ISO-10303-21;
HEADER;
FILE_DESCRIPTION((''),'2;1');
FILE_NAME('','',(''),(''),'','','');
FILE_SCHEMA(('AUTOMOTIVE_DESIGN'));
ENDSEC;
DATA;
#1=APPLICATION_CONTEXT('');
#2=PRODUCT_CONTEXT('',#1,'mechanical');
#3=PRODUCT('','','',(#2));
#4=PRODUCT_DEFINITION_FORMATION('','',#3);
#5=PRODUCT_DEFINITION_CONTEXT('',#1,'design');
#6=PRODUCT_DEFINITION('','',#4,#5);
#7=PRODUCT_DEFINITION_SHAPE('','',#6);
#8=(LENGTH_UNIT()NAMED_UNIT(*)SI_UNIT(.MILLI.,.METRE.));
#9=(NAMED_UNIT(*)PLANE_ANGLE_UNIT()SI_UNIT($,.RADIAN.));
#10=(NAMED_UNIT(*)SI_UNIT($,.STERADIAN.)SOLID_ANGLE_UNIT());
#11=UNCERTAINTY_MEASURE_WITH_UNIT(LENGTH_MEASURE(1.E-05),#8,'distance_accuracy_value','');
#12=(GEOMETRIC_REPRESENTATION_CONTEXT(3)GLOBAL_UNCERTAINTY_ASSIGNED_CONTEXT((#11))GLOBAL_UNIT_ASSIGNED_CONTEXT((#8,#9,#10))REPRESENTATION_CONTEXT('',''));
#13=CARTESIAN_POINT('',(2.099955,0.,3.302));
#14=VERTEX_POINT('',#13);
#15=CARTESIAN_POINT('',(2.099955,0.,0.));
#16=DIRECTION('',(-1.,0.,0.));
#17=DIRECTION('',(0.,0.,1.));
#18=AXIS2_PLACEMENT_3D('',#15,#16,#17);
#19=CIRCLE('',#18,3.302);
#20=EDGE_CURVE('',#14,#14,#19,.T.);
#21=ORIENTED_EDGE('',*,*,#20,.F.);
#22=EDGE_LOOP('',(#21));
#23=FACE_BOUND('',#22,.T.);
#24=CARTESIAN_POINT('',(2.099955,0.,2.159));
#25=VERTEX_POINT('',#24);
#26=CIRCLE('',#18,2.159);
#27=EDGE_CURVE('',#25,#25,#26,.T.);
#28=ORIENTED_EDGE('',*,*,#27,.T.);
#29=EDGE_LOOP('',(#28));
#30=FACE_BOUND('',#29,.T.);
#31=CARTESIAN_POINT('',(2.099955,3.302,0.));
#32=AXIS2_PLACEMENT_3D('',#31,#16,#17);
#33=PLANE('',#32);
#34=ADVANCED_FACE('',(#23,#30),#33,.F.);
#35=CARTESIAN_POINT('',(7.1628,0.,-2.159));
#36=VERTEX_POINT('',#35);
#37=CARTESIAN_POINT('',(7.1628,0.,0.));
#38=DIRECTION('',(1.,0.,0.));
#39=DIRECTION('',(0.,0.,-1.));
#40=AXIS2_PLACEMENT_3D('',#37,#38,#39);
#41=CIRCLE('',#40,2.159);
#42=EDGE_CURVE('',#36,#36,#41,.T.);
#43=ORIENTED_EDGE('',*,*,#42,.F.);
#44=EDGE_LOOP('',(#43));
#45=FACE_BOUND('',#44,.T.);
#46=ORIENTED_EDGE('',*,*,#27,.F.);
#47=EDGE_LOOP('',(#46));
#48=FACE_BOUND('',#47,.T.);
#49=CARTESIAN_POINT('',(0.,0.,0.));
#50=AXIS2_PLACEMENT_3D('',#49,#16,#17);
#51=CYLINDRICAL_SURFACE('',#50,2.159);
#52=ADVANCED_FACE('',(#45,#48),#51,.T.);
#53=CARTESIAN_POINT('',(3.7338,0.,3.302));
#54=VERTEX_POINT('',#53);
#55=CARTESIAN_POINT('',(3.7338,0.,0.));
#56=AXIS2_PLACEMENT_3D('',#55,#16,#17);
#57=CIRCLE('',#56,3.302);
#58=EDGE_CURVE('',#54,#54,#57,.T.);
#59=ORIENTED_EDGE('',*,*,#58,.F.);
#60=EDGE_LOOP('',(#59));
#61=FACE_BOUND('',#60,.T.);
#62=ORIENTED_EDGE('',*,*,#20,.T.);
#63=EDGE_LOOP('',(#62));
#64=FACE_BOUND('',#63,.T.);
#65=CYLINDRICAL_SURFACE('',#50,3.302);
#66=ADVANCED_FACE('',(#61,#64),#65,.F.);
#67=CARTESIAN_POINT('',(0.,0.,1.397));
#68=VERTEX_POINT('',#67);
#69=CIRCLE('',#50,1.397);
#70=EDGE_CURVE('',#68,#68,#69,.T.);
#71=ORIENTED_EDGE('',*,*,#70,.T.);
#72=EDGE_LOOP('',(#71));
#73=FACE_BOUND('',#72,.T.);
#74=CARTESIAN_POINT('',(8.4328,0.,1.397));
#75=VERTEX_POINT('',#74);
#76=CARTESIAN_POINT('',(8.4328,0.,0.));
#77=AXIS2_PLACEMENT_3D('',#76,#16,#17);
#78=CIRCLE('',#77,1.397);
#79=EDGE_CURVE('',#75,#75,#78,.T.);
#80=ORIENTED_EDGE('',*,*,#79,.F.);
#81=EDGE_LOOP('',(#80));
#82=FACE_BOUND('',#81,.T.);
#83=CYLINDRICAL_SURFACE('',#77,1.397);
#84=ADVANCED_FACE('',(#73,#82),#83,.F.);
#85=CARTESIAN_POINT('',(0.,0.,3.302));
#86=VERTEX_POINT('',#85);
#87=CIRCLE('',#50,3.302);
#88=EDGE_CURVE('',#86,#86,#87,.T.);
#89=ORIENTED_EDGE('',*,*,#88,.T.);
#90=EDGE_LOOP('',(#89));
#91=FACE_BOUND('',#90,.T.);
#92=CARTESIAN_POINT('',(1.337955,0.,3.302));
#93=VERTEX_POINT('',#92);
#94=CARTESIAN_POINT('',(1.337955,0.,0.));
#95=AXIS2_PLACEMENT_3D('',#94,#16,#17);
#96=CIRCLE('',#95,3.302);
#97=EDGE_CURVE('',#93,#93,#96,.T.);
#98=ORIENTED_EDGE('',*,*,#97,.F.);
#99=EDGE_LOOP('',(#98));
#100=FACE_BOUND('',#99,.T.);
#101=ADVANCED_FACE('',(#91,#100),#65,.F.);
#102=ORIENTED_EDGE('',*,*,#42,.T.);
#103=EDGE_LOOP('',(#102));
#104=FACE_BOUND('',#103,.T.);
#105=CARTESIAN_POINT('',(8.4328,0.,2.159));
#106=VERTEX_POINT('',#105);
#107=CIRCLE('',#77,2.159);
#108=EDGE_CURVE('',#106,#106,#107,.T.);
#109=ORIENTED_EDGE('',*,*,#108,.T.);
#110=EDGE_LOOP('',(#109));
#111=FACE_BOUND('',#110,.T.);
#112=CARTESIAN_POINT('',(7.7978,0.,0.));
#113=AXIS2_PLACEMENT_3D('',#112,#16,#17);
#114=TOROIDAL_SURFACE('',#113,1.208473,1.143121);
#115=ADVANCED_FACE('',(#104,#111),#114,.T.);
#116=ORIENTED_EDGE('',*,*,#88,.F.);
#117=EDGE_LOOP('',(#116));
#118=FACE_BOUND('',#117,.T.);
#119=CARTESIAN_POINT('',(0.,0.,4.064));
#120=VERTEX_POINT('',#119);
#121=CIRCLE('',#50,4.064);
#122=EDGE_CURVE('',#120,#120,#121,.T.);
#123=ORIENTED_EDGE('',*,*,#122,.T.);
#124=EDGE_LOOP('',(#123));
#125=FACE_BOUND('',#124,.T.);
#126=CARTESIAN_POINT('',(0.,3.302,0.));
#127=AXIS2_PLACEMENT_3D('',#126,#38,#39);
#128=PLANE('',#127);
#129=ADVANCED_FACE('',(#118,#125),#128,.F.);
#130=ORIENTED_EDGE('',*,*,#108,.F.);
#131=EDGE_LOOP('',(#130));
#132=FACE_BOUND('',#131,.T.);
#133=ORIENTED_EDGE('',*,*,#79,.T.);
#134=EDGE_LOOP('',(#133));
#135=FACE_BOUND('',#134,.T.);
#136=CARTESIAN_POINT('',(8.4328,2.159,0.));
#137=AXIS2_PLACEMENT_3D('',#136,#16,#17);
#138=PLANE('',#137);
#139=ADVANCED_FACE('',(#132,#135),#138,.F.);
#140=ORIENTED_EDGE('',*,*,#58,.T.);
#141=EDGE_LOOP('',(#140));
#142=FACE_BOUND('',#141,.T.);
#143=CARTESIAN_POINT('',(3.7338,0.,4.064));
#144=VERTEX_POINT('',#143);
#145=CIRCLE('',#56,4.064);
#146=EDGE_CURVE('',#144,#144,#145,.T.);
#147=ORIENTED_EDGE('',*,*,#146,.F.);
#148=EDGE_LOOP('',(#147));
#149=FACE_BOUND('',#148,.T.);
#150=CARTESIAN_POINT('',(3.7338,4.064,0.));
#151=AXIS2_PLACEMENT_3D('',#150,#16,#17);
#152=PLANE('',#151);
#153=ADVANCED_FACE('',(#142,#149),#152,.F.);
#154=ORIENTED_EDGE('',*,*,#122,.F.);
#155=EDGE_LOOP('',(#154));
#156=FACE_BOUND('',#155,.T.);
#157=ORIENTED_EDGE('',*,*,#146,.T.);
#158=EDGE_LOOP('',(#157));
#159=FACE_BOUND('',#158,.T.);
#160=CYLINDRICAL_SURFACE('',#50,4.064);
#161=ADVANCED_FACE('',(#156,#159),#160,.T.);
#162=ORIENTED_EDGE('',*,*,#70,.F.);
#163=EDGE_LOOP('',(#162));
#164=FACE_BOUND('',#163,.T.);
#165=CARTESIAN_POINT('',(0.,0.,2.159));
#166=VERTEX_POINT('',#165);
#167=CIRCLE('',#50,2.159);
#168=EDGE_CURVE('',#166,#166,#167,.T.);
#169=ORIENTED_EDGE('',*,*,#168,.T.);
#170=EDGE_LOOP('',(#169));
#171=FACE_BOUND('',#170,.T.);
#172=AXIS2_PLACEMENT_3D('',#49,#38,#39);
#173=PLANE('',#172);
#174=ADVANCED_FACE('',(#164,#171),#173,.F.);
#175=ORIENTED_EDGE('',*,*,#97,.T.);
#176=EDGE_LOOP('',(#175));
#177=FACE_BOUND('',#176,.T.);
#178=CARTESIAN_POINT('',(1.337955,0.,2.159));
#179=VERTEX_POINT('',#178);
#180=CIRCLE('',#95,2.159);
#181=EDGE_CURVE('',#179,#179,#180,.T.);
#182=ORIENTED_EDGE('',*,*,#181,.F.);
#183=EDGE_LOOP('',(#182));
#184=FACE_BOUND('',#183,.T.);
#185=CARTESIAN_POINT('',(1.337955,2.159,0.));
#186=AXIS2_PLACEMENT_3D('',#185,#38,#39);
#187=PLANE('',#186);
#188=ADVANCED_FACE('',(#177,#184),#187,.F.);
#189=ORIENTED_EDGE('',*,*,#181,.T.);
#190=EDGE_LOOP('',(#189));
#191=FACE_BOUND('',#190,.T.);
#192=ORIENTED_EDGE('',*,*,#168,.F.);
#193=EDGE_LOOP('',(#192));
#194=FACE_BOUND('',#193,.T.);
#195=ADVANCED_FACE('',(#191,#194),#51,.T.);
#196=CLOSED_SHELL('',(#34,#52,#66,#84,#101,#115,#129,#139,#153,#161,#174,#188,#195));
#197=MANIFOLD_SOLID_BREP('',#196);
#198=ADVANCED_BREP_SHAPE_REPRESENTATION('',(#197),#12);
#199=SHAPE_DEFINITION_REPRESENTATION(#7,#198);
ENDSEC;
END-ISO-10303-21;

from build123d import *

# Parameters (mm, degrees)
SKETCH2_R          = 1.397
CUT_EXTRUDE1_DEPTH = 9.4328


with BuildPart() as part:
    # Sketch1 → Revolve1 (revolve)
    with BuildSketch(Plane.XY):
        Polygon((0, 0), (0, 2.159), (1.337955167, 2.159), (1.337955167, 3.302), (0, 3.302), (0, 4.064), (3.7338, 4.064), (3.7338, 3.302), (2.099955167, 3.302), (2.099955167, 2.159), (8.4328, 2.159), (8.4328, 0), align=None)
    revolve(axis=Axis((0, 0, 0), (1, 0, 0)))

    # Sketch2 → Cut-Extrude1 (cut, through all)
    with BuildSketch(Plane.ZY):
        Circle(SKETCH2_R)
    extrude(amount=-CUT_EXTRUDE1_DEPTH, mode=Mode.SUBTRACT)

    # Sketch3 → Revolve2 (revolve)
    with BuildSketch(Plane.XY):
        with BuildLine():
            Line((8.4328, 2.159), (7.1628, 2.159))
            ThreePointArc((7.1628, 2.159), (7.7978, 2.351594416), (8.4328, 2.159))
        make_face()
    revolve(axis=Axis((0, 0, 0), (1, 0, 0)))


solid = part.part
